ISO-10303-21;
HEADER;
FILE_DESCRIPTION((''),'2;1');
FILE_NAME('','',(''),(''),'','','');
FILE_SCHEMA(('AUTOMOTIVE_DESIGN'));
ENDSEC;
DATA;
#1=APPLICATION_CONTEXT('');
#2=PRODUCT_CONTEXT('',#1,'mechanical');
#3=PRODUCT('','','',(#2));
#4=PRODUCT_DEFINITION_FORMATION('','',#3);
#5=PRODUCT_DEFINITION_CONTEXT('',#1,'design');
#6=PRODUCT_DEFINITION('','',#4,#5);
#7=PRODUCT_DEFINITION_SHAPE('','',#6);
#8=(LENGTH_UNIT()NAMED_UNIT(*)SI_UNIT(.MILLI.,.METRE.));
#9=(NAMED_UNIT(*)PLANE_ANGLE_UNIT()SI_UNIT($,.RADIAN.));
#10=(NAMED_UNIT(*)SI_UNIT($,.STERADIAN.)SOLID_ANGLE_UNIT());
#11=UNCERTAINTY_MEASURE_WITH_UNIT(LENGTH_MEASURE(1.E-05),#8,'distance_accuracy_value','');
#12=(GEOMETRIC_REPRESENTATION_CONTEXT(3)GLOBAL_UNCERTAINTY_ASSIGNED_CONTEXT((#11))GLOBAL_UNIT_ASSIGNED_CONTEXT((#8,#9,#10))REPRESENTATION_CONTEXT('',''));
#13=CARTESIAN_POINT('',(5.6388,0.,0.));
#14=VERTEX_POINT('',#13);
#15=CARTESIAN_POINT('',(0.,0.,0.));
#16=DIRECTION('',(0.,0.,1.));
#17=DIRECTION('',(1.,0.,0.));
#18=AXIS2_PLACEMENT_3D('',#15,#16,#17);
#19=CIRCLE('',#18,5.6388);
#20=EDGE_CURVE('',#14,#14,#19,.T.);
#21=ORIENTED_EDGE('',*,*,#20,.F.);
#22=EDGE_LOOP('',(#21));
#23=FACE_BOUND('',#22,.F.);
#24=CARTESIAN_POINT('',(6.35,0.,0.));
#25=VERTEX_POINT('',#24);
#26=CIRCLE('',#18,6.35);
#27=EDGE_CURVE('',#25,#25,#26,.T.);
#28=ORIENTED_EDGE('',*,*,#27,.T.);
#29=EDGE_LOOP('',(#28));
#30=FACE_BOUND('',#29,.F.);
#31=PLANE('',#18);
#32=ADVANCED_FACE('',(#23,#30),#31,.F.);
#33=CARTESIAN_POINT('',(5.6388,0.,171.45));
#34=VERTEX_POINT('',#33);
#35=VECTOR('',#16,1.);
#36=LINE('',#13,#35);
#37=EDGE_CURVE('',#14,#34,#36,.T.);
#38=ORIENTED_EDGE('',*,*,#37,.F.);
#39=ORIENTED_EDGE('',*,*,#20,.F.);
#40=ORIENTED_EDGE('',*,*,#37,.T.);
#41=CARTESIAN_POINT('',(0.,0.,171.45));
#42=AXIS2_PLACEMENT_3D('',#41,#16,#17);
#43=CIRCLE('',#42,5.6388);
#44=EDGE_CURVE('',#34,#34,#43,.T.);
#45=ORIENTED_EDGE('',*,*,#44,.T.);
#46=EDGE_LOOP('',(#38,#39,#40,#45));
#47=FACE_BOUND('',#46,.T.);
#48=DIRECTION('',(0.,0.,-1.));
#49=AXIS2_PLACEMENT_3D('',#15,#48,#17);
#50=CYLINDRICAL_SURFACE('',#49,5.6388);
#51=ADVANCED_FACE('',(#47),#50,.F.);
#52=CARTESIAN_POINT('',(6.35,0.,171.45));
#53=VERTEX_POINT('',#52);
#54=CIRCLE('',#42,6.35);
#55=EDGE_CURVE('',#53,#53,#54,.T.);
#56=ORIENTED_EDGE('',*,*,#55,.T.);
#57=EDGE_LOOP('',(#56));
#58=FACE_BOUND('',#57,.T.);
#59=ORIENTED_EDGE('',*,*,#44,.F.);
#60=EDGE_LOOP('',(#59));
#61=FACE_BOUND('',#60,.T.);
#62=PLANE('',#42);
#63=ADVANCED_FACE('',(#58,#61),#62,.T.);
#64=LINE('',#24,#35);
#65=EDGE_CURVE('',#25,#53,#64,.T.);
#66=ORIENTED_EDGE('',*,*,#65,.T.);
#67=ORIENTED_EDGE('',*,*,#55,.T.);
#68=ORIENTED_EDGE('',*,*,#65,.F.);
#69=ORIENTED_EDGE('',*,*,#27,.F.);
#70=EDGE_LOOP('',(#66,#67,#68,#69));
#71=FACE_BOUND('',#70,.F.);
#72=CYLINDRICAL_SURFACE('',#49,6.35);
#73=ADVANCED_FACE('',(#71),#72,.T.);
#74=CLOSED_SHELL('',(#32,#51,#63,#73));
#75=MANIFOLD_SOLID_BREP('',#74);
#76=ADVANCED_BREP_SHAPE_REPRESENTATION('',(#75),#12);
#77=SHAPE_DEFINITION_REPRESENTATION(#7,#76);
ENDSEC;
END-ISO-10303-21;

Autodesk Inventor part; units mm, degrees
ref_plane "YZ Plane" through (0, 0, 0) normal (1, 0, 0) x (0, 1, 0)
ref_plane "XZ Plane" through (0, 0, 0) normal (0, 1, 0) x (-1, 0, 0)
ref_plane "XY Plane" through (0, 0, 0) normal (0, 0, 1) x (1, 0, 0)
sketch "Sketch1" plane through (0, 0, 0) normal (0, 0, 1) x (1, 0, 0)
  circle A0 centre (0, 0) radius 6.35
  circle A1 centre (0, 0) radius 5.6388
  dimension "d0" = 12.7
  dimension "d3" = 0.7112
extrude "Extrusion1" add sketch "Sketch1" along normal blind 171.45
properties part number "Shaft (0.500 Aluminum" material "Steel"
